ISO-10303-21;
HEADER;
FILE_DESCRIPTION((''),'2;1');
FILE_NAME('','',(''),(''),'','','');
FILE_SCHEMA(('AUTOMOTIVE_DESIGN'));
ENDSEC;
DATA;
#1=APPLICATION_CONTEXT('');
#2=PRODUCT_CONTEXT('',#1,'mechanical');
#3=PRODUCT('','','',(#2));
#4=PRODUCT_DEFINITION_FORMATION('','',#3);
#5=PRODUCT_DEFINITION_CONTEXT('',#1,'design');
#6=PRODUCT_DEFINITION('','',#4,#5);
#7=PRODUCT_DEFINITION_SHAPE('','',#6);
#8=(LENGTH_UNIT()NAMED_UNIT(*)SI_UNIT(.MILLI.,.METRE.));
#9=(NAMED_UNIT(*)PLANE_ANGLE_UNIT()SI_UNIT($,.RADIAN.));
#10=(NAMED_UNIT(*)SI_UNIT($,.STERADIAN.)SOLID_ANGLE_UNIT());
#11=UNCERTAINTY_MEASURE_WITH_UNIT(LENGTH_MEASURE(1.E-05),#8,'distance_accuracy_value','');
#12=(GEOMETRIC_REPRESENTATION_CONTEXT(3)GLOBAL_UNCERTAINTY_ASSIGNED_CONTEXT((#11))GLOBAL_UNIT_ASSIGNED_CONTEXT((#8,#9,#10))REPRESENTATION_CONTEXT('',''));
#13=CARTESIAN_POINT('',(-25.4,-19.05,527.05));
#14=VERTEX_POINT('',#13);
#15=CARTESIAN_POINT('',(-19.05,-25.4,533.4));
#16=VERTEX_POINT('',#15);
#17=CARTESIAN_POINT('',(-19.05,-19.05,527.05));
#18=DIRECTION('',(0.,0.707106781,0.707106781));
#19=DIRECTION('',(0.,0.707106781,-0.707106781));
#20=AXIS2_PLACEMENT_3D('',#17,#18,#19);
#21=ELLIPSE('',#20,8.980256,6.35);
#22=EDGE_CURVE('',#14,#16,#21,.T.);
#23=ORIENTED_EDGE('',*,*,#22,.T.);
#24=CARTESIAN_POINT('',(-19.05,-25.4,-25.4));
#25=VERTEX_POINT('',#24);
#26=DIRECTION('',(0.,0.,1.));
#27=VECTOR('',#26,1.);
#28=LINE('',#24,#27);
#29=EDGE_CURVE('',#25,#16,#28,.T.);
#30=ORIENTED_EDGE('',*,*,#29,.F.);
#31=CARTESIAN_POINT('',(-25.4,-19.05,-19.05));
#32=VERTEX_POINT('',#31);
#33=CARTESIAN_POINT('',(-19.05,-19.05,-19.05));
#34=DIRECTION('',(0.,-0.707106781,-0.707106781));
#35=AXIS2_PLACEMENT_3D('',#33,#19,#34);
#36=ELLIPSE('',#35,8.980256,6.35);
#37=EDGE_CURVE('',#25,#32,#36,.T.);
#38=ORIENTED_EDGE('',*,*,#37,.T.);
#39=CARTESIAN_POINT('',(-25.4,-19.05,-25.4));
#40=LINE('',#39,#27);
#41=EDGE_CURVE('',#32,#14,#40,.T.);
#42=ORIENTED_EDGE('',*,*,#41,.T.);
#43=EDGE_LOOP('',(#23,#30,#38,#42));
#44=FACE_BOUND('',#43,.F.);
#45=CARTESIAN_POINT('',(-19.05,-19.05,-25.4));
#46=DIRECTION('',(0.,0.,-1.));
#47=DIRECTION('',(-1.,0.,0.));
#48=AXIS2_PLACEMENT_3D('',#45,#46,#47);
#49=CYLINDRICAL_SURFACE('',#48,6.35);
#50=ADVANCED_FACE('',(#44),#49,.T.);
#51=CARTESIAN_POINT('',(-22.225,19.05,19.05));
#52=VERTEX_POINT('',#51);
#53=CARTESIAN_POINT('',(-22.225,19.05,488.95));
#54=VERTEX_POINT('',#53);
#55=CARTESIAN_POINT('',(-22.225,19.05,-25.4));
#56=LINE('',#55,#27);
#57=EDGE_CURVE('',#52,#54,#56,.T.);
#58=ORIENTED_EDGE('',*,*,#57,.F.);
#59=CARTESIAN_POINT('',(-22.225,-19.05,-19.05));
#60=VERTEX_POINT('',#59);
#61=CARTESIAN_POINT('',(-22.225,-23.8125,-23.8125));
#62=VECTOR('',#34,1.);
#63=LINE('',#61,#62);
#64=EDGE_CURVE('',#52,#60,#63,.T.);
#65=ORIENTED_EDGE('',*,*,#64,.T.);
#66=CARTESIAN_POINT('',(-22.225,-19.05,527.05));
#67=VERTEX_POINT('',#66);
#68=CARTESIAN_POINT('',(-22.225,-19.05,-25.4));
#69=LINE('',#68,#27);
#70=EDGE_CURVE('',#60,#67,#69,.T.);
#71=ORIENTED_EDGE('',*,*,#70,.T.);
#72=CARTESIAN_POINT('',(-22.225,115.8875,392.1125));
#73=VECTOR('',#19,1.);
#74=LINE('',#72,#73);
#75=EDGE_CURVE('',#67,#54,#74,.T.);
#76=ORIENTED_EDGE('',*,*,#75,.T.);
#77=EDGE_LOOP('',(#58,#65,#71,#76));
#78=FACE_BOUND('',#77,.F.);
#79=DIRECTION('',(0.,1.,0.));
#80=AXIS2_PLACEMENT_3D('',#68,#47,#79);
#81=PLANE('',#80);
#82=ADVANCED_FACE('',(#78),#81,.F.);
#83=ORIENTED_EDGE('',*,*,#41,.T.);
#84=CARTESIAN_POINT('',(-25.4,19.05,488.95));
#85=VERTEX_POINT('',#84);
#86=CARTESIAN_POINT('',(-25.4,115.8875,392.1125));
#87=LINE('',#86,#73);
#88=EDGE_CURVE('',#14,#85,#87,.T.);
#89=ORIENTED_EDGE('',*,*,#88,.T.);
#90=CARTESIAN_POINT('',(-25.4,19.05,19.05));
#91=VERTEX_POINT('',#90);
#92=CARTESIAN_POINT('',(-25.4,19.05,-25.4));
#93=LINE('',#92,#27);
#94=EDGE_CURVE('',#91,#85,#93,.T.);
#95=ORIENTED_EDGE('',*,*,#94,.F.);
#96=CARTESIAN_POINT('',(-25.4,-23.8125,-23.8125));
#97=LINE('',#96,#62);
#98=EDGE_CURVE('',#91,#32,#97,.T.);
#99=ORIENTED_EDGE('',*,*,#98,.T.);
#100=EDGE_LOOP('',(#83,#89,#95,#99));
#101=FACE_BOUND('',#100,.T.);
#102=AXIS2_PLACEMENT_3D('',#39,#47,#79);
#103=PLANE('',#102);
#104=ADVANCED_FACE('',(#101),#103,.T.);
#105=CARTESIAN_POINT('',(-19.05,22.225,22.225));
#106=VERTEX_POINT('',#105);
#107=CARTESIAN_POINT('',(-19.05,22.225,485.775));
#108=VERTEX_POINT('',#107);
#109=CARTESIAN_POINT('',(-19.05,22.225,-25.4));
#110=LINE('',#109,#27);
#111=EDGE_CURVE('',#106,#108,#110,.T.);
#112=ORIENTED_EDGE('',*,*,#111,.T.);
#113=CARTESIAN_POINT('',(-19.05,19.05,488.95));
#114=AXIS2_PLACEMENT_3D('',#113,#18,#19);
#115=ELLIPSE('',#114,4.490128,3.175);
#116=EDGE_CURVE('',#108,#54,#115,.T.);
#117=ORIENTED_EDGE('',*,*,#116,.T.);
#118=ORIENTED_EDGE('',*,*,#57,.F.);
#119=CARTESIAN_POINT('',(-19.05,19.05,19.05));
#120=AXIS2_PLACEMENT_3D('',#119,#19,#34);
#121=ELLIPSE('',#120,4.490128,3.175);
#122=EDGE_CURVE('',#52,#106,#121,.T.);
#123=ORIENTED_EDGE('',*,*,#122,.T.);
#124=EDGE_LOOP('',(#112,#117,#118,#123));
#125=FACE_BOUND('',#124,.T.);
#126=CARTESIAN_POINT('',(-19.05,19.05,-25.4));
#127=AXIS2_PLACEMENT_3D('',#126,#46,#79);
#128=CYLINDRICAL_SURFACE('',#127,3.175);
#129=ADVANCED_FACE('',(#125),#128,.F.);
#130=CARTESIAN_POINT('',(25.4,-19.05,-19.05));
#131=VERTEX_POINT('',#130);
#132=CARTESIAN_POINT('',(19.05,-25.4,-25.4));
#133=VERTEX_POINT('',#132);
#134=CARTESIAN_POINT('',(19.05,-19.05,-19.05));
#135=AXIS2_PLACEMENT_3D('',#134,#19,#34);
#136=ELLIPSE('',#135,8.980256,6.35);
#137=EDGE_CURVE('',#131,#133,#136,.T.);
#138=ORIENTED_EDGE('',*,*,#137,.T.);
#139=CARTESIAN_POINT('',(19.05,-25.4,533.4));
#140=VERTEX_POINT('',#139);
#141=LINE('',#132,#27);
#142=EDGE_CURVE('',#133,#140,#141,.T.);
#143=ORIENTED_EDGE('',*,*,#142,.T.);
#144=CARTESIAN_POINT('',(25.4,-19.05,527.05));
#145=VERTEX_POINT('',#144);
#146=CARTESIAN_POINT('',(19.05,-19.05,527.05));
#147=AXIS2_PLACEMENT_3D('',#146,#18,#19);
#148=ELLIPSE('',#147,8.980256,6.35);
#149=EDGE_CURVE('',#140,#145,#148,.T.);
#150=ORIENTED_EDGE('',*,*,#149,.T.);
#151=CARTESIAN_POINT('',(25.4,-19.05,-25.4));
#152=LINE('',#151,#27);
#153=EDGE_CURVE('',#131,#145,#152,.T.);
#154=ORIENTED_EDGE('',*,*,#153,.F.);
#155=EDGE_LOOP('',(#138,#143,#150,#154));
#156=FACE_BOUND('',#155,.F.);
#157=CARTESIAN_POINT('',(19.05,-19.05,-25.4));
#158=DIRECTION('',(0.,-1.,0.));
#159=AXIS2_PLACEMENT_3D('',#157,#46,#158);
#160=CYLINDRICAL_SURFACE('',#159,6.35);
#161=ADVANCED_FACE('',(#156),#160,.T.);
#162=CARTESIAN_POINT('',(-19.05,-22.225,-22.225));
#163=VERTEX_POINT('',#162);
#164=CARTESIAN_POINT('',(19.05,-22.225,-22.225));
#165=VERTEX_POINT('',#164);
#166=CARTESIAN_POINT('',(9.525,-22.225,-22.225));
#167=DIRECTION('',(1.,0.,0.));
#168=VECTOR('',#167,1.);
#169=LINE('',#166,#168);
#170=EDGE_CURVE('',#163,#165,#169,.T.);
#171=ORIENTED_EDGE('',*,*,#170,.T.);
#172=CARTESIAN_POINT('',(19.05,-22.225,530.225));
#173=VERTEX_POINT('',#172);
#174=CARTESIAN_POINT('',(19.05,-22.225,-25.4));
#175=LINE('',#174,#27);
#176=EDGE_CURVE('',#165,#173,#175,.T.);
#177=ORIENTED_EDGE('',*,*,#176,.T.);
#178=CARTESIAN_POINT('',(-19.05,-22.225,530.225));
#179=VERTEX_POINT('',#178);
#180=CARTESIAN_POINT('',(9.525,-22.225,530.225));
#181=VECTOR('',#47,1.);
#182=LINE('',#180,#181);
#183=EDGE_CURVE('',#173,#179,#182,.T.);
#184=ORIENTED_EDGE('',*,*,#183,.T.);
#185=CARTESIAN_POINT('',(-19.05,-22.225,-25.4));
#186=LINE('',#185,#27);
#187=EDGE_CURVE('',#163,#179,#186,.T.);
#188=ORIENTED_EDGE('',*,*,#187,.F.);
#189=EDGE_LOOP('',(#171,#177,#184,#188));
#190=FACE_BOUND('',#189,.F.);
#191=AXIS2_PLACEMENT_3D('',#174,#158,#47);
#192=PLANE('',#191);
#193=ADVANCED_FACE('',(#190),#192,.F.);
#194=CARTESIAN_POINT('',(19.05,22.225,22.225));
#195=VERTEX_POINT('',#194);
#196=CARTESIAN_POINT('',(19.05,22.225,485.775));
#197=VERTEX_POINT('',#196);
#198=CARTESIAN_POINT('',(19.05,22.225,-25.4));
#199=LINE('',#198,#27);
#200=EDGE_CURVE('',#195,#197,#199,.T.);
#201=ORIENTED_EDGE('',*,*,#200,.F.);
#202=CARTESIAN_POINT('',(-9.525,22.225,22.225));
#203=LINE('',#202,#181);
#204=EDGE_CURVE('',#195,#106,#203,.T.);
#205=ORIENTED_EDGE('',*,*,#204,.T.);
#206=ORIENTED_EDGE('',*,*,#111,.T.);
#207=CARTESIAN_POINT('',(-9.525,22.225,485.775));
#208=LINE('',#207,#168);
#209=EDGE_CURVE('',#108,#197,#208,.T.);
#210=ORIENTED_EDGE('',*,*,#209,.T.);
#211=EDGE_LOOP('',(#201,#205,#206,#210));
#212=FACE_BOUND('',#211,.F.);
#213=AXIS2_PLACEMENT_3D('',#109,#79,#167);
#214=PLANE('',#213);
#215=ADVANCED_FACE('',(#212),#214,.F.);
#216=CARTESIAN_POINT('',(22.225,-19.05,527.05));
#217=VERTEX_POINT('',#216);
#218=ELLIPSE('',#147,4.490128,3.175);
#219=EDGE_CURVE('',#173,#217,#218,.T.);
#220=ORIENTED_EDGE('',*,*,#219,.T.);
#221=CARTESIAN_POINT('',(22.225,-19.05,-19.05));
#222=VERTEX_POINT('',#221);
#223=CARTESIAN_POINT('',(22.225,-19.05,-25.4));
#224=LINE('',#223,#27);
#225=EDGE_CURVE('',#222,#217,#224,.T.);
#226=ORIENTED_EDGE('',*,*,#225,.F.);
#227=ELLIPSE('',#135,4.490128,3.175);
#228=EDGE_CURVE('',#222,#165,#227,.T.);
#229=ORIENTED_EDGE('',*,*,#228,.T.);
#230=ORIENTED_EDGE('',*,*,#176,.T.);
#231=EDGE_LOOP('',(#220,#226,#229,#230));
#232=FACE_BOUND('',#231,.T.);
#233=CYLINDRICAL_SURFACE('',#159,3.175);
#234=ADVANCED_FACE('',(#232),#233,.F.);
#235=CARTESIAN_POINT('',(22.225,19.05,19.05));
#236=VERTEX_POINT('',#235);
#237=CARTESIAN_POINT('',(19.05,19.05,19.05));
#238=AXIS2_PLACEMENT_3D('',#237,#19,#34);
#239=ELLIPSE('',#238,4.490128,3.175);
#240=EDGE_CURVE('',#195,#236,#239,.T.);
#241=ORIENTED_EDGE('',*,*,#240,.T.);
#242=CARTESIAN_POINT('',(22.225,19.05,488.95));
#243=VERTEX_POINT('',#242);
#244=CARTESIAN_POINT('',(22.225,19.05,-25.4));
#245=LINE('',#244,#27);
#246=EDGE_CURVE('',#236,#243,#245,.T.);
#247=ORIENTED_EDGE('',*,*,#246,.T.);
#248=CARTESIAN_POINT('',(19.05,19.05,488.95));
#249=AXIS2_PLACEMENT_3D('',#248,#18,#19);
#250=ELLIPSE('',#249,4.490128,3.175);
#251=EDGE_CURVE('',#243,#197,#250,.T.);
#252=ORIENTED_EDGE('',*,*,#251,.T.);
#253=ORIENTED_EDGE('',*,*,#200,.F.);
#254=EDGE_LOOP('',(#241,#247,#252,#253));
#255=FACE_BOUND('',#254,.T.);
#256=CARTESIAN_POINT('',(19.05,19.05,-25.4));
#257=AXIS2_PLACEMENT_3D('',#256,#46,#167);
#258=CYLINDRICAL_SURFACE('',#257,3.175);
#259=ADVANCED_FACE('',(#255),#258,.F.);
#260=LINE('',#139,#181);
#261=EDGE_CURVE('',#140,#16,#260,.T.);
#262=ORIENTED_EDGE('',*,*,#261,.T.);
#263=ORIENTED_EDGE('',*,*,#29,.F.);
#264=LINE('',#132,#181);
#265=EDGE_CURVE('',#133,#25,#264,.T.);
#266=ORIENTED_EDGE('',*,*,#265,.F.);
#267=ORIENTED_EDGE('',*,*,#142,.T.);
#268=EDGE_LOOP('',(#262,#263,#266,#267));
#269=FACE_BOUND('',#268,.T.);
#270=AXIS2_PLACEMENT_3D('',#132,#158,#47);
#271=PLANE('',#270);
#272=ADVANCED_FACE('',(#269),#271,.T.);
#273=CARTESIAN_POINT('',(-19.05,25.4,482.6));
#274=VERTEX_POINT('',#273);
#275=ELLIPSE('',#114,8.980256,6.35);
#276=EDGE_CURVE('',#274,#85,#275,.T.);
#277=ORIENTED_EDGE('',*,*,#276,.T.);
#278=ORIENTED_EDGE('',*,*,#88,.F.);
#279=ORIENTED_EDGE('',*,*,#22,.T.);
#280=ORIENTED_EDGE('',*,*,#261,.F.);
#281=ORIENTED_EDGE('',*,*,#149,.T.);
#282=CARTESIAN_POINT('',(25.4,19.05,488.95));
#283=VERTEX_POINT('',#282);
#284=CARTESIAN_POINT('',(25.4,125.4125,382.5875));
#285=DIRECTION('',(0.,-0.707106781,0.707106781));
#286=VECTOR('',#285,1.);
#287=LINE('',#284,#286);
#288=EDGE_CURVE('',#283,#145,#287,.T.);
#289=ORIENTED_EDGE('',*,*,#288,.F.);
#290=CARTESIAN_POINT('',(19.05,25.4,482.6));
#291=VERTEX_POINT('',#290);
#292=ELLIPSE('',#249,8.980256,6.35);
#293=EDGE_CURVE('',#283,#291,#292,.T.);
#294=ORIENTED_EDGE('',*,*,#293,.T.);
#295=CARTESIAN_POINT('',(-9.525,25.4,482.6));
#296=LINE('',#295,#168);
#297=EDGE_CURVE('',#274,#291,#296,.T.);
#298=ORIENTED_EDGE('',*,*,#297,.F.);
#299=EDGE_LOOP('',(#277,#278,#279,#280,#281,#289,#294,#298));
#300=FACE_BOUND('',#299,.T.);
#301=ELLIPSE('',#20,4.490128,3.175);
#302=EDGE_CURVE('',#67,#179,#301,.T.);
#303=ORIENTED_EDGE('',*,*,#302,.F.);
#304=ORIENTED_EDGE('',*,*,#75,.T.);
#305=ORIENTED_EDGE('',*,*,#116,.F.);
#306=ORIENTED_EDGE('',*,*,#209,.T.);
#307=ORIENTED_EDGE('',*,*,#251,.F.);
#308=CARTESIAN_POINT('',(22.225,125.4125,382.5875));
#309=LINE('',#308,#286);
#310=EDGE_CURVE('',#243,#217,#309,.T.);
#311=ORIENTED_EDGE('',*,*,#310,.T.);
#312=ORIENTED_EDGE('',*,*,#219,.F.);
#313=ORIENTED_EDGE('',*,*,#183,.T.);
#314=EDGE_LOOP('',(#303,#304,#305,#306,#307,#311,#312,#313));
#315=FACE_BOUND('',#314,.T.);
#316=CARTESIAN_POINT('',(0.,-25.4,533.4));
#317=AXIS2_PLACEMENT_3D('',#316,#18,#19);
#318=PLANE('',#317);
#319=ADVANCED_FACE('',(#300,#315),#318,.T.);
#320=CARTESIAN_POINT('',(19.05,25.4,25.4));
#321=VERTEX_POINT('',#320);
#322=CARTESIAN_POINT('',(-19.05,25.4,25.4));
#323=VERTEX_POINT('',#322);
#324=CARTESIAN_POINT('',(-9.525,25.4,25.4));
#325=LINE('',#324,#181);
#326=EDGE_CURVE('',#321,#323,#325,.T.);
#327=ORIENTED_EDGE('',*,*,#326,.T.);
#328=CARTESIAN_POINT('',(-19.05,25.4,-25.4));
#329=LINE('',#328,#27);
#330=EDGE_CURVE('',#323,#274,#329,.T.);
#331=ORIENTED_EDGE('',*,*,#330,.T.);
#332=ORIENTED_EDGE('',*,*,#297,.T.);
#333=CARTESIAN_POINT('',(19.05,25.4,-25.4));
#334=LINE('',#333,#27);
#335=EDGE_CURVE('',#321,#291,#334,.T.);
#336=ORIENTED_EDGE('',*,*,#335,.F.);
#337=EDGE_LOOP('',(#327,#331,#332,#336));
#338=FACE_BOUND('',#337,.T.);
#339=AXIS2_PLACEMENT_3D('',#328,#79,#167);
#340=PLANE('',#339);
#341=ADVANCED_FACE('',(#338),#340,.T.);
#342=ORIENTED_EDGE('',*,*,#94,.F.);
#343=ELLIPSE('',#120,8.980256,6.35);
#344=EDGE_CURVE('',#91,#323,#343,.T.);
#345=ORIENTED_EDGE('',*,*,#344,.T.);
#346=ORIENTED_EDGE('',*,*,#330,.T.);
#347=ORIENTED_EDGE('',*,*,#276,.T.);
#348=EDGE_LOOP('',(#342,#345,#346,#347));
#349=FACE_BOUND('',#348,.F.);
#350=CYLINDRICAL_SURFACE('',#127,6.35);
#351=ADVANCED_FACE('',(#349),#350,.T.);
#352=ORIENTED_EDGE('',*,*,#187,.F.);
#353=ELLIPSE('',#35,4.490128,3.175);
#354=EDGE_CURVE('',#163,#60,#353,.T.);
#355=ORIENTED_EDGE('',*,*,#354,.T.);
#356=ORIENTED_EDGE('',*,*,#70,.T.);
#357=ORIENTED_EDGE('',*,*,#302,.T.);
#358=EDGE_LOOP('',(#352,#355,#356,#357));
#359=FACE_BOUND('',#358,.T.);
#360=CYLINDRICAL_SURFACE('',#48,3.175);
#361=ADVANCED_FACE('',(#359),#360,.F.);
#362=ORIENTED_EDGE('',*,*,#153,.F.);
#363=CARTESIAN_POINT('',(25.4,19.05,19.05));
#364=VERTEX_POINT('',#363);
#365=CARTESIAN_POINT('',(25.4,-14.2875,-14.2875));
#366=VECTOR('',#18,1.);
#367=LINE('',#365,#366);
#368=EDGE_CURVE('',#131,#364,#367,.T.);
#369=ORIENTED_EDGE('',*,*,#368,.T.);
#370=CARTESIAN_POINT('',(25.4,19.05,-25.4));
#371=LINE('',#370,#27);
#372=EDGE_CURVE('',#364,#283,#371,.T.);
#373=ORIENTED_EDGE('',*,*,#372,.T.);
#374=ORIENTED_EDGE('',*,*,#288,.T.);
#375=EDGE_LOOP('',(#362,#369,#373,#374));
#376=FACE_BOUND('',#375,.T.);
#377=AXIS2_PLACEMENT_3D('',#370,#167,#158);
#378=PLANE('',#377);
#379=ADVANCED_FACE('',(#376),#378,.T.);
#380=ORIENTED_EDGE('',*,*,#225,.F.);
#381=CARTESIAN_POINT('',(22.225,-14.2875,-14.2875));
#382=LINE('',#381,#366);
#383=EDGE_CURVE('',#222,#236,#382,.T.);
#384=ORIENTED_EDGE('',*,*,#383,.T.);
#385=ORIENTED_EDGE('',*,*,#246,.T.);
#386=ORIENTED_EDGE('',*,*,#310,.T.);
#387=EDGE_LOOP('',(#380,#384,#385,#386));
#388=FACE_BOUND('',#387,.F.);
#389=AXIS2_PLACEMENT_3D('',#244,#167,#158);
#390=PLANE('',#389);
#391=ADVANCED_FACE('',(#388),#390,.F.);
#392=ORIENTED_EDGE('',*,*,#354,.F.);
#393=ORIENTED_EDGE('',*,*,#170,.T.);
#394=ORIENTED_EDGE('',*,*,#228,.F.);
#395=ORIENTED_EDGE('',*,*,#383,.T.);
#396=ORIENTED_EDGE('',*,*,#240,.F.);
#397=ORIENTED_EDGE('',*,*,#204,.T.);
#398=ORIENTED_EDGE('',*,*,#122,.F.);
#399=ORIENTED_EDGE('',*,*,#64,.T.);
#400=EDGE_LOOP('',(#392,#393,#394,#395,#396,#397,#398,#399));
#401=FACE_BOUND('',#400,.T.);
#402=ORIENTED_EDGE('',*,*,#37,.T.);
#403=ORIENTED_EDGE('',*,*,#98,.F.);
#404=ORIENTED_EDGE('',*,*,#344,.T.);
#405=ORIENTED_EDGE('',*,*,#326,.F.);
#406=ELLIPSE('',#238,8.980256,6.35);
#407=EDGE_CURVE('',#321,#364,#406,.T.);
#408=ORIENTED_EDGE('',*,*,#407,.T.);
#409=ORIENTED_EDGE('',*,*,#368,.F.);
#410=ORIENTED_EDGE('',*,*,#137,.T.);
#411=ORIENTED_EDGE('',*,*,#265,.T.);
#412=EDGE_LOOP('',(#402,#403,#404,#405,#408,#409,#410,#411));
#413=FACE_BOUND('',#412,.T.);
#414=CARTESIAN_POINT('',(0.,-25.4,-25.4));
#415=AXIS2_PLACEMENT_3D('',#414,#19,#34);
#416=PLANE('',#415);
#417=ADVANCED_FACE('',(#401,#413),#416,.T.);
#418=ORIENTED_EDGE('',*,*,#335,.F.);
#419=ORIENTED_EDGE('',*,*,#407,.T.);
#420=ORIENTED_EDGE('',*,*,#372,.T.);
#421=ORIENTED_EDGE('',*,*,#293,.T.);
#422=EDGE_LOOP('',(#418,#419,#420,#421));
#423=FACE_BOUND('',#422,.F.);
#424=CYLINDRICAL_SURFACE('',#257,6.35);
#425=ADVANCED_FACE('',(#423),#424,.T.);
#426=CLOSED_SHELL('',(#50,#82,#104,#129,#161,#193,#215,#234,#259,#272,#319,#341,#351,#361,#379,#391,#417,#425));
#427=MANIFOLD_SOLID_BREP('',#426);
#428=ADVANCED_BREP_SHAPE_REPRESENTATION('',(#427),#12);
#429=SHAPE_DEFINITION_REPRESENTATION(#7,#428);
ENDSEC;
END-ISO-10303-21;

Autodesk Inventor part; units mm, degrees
ref_plane "Start Plane" through (0, 0, -25.4) normal (0, 0, 1) x (1, 0, 0)
ref_plane "End Plane" through (0, 0, 533.4) normal (0, 0, 1) x (1, 0, 0)
sketch "Sketch" plane through (0, 0, 0) normal (0, 0, 1) x (1, 0, 0)
  line L0 (-25.4, -19.05) -> (-25.4, 19.05)
  line L1 (-19.05, 25.4) -> (19.05, 25.4)
  line L2 (25.4, 19.05) -> (25.4, -19.05)
  line L3 (19.05, -25.4) -> (-19.05, -25.4)
  arc A0 (-25.4, -19.05) -> (-19.05, -25.4) centre (-19.05, -19.05) ccw
  arc A1 (-19.05, 25.4) -> (-25.4, 19.05) centre (-19.05, 19.05) ccw
  arc A2 (25.4, 19.05) -> (19.05, 25.4) centre (19.05, 19.05) ccw
  arc A3 (19.05, -25.4) -> (25.4, -19.05) centre (19.05, -19.05) ccw
  arc A4 (-19.05, 22.225) -> (-22.225, 19.05) centre (-19.05, 19.05) ccw
  line L4 (-19.05, 22.225) -> (19.05, 22.225)
  arc A5 (22.225, 19.05) -> (19.05, 22.225) centre (19.05, 19.05) ccw
  line L5 (22.225, 19.05) -> (22.225, -19.05)
  arc A6 (19.05, -22.225) -> (22.225, -19.05) centre (19.05, -19.05) ccw
  line L6 (19.05, -22.225) -> (-19.05, -22.225)
  arc A7 (-22.225, -19.05) -> (-19.05, -22.225) centre (-19.05, -19.05) ccw
  line L7 (-22.225, -19.05) -> (-22.225, 19.05)
  line L8 (0, 37.4012) -> (0, -37.4012) construction
  line L9 (-37.4012, 0) -> (37.4012, 0) construction
  dimension "d10" = 50.8
  dimension "d11" = 50.8
  dimension "d12" = 3.175
  dimension "d15" = 25.4
  dimension "d16" = 25.4
  dimension "d17" = 6.35
extrude "Body" add sketch "Sketch" along normal up to surface (558.8 mm away) from surface at -25.4
sketch "Sketch3" plane through (0, 0, 0) normal (0, 0, 1) x (1, 0, 0)
  line L0 (0, 0) -> (10, 0)
ref_plane "Work Plane3" through (0, 0, 0) normal (0, -1, 0) x (1, 0, 0)
sketch "Sketch4" plane through (0, 0, 0) normal (0, -1, 0) x (1, 0, 0)
  line L0 (-2, -25.4) -> (12, -25.4)
  line L1 (-2, 533.4) -> (12, 533.4)
  dimension "d19" = 558.8
ref_plane "Work Plane4" through (0, -25.4, -25.4) normal (0, 0.7071, -0.7071) x (1, 0, 0)
split "Split1" plane through (0, -25.4, -25.4) removes the side toward (0, 0.7071, -0.7071)
ref_plane "Work Plane5" through (0, -25.4, 533.4) normal (0, 0.7071, 0.7071) x (1, 0, 0)
split "Split2" plane through (0, -25.4, 533.4) removes the side toward (0, 0.7071, 0.7071)
equation "\"d10\" = G_H"
equation "\"d11\" = G_W"
equation "\"d12\" = G_T"
equation "\"d15\" = 0.5 * d10"
equation "\"d16\" = 0.5 * d11"
equation "\"d17\" = G_IR"
equation "\"d3\" = G_L"
equation "\"G_W\" = 50.8"
equation "\"G_H\" = 50.8"
equation "\"G_T\" = 3.175"
equation "\"G_IR\" = 6.35"
equation "\"G_L\" = d19"
equation "\"G_OFFSET_START\" = 25.4"
equation "\"G_OFFSET_END\" = 25.4"
equation "\"d13\" = -G_OFFSET_START"
equation "\"d14\" = G_OFFSET_END + B_L"
equation "\"B_L\" = 508"
properties part number "AISC - 2 x 2 x 1/8 - 22" material "Steel, Mild"
